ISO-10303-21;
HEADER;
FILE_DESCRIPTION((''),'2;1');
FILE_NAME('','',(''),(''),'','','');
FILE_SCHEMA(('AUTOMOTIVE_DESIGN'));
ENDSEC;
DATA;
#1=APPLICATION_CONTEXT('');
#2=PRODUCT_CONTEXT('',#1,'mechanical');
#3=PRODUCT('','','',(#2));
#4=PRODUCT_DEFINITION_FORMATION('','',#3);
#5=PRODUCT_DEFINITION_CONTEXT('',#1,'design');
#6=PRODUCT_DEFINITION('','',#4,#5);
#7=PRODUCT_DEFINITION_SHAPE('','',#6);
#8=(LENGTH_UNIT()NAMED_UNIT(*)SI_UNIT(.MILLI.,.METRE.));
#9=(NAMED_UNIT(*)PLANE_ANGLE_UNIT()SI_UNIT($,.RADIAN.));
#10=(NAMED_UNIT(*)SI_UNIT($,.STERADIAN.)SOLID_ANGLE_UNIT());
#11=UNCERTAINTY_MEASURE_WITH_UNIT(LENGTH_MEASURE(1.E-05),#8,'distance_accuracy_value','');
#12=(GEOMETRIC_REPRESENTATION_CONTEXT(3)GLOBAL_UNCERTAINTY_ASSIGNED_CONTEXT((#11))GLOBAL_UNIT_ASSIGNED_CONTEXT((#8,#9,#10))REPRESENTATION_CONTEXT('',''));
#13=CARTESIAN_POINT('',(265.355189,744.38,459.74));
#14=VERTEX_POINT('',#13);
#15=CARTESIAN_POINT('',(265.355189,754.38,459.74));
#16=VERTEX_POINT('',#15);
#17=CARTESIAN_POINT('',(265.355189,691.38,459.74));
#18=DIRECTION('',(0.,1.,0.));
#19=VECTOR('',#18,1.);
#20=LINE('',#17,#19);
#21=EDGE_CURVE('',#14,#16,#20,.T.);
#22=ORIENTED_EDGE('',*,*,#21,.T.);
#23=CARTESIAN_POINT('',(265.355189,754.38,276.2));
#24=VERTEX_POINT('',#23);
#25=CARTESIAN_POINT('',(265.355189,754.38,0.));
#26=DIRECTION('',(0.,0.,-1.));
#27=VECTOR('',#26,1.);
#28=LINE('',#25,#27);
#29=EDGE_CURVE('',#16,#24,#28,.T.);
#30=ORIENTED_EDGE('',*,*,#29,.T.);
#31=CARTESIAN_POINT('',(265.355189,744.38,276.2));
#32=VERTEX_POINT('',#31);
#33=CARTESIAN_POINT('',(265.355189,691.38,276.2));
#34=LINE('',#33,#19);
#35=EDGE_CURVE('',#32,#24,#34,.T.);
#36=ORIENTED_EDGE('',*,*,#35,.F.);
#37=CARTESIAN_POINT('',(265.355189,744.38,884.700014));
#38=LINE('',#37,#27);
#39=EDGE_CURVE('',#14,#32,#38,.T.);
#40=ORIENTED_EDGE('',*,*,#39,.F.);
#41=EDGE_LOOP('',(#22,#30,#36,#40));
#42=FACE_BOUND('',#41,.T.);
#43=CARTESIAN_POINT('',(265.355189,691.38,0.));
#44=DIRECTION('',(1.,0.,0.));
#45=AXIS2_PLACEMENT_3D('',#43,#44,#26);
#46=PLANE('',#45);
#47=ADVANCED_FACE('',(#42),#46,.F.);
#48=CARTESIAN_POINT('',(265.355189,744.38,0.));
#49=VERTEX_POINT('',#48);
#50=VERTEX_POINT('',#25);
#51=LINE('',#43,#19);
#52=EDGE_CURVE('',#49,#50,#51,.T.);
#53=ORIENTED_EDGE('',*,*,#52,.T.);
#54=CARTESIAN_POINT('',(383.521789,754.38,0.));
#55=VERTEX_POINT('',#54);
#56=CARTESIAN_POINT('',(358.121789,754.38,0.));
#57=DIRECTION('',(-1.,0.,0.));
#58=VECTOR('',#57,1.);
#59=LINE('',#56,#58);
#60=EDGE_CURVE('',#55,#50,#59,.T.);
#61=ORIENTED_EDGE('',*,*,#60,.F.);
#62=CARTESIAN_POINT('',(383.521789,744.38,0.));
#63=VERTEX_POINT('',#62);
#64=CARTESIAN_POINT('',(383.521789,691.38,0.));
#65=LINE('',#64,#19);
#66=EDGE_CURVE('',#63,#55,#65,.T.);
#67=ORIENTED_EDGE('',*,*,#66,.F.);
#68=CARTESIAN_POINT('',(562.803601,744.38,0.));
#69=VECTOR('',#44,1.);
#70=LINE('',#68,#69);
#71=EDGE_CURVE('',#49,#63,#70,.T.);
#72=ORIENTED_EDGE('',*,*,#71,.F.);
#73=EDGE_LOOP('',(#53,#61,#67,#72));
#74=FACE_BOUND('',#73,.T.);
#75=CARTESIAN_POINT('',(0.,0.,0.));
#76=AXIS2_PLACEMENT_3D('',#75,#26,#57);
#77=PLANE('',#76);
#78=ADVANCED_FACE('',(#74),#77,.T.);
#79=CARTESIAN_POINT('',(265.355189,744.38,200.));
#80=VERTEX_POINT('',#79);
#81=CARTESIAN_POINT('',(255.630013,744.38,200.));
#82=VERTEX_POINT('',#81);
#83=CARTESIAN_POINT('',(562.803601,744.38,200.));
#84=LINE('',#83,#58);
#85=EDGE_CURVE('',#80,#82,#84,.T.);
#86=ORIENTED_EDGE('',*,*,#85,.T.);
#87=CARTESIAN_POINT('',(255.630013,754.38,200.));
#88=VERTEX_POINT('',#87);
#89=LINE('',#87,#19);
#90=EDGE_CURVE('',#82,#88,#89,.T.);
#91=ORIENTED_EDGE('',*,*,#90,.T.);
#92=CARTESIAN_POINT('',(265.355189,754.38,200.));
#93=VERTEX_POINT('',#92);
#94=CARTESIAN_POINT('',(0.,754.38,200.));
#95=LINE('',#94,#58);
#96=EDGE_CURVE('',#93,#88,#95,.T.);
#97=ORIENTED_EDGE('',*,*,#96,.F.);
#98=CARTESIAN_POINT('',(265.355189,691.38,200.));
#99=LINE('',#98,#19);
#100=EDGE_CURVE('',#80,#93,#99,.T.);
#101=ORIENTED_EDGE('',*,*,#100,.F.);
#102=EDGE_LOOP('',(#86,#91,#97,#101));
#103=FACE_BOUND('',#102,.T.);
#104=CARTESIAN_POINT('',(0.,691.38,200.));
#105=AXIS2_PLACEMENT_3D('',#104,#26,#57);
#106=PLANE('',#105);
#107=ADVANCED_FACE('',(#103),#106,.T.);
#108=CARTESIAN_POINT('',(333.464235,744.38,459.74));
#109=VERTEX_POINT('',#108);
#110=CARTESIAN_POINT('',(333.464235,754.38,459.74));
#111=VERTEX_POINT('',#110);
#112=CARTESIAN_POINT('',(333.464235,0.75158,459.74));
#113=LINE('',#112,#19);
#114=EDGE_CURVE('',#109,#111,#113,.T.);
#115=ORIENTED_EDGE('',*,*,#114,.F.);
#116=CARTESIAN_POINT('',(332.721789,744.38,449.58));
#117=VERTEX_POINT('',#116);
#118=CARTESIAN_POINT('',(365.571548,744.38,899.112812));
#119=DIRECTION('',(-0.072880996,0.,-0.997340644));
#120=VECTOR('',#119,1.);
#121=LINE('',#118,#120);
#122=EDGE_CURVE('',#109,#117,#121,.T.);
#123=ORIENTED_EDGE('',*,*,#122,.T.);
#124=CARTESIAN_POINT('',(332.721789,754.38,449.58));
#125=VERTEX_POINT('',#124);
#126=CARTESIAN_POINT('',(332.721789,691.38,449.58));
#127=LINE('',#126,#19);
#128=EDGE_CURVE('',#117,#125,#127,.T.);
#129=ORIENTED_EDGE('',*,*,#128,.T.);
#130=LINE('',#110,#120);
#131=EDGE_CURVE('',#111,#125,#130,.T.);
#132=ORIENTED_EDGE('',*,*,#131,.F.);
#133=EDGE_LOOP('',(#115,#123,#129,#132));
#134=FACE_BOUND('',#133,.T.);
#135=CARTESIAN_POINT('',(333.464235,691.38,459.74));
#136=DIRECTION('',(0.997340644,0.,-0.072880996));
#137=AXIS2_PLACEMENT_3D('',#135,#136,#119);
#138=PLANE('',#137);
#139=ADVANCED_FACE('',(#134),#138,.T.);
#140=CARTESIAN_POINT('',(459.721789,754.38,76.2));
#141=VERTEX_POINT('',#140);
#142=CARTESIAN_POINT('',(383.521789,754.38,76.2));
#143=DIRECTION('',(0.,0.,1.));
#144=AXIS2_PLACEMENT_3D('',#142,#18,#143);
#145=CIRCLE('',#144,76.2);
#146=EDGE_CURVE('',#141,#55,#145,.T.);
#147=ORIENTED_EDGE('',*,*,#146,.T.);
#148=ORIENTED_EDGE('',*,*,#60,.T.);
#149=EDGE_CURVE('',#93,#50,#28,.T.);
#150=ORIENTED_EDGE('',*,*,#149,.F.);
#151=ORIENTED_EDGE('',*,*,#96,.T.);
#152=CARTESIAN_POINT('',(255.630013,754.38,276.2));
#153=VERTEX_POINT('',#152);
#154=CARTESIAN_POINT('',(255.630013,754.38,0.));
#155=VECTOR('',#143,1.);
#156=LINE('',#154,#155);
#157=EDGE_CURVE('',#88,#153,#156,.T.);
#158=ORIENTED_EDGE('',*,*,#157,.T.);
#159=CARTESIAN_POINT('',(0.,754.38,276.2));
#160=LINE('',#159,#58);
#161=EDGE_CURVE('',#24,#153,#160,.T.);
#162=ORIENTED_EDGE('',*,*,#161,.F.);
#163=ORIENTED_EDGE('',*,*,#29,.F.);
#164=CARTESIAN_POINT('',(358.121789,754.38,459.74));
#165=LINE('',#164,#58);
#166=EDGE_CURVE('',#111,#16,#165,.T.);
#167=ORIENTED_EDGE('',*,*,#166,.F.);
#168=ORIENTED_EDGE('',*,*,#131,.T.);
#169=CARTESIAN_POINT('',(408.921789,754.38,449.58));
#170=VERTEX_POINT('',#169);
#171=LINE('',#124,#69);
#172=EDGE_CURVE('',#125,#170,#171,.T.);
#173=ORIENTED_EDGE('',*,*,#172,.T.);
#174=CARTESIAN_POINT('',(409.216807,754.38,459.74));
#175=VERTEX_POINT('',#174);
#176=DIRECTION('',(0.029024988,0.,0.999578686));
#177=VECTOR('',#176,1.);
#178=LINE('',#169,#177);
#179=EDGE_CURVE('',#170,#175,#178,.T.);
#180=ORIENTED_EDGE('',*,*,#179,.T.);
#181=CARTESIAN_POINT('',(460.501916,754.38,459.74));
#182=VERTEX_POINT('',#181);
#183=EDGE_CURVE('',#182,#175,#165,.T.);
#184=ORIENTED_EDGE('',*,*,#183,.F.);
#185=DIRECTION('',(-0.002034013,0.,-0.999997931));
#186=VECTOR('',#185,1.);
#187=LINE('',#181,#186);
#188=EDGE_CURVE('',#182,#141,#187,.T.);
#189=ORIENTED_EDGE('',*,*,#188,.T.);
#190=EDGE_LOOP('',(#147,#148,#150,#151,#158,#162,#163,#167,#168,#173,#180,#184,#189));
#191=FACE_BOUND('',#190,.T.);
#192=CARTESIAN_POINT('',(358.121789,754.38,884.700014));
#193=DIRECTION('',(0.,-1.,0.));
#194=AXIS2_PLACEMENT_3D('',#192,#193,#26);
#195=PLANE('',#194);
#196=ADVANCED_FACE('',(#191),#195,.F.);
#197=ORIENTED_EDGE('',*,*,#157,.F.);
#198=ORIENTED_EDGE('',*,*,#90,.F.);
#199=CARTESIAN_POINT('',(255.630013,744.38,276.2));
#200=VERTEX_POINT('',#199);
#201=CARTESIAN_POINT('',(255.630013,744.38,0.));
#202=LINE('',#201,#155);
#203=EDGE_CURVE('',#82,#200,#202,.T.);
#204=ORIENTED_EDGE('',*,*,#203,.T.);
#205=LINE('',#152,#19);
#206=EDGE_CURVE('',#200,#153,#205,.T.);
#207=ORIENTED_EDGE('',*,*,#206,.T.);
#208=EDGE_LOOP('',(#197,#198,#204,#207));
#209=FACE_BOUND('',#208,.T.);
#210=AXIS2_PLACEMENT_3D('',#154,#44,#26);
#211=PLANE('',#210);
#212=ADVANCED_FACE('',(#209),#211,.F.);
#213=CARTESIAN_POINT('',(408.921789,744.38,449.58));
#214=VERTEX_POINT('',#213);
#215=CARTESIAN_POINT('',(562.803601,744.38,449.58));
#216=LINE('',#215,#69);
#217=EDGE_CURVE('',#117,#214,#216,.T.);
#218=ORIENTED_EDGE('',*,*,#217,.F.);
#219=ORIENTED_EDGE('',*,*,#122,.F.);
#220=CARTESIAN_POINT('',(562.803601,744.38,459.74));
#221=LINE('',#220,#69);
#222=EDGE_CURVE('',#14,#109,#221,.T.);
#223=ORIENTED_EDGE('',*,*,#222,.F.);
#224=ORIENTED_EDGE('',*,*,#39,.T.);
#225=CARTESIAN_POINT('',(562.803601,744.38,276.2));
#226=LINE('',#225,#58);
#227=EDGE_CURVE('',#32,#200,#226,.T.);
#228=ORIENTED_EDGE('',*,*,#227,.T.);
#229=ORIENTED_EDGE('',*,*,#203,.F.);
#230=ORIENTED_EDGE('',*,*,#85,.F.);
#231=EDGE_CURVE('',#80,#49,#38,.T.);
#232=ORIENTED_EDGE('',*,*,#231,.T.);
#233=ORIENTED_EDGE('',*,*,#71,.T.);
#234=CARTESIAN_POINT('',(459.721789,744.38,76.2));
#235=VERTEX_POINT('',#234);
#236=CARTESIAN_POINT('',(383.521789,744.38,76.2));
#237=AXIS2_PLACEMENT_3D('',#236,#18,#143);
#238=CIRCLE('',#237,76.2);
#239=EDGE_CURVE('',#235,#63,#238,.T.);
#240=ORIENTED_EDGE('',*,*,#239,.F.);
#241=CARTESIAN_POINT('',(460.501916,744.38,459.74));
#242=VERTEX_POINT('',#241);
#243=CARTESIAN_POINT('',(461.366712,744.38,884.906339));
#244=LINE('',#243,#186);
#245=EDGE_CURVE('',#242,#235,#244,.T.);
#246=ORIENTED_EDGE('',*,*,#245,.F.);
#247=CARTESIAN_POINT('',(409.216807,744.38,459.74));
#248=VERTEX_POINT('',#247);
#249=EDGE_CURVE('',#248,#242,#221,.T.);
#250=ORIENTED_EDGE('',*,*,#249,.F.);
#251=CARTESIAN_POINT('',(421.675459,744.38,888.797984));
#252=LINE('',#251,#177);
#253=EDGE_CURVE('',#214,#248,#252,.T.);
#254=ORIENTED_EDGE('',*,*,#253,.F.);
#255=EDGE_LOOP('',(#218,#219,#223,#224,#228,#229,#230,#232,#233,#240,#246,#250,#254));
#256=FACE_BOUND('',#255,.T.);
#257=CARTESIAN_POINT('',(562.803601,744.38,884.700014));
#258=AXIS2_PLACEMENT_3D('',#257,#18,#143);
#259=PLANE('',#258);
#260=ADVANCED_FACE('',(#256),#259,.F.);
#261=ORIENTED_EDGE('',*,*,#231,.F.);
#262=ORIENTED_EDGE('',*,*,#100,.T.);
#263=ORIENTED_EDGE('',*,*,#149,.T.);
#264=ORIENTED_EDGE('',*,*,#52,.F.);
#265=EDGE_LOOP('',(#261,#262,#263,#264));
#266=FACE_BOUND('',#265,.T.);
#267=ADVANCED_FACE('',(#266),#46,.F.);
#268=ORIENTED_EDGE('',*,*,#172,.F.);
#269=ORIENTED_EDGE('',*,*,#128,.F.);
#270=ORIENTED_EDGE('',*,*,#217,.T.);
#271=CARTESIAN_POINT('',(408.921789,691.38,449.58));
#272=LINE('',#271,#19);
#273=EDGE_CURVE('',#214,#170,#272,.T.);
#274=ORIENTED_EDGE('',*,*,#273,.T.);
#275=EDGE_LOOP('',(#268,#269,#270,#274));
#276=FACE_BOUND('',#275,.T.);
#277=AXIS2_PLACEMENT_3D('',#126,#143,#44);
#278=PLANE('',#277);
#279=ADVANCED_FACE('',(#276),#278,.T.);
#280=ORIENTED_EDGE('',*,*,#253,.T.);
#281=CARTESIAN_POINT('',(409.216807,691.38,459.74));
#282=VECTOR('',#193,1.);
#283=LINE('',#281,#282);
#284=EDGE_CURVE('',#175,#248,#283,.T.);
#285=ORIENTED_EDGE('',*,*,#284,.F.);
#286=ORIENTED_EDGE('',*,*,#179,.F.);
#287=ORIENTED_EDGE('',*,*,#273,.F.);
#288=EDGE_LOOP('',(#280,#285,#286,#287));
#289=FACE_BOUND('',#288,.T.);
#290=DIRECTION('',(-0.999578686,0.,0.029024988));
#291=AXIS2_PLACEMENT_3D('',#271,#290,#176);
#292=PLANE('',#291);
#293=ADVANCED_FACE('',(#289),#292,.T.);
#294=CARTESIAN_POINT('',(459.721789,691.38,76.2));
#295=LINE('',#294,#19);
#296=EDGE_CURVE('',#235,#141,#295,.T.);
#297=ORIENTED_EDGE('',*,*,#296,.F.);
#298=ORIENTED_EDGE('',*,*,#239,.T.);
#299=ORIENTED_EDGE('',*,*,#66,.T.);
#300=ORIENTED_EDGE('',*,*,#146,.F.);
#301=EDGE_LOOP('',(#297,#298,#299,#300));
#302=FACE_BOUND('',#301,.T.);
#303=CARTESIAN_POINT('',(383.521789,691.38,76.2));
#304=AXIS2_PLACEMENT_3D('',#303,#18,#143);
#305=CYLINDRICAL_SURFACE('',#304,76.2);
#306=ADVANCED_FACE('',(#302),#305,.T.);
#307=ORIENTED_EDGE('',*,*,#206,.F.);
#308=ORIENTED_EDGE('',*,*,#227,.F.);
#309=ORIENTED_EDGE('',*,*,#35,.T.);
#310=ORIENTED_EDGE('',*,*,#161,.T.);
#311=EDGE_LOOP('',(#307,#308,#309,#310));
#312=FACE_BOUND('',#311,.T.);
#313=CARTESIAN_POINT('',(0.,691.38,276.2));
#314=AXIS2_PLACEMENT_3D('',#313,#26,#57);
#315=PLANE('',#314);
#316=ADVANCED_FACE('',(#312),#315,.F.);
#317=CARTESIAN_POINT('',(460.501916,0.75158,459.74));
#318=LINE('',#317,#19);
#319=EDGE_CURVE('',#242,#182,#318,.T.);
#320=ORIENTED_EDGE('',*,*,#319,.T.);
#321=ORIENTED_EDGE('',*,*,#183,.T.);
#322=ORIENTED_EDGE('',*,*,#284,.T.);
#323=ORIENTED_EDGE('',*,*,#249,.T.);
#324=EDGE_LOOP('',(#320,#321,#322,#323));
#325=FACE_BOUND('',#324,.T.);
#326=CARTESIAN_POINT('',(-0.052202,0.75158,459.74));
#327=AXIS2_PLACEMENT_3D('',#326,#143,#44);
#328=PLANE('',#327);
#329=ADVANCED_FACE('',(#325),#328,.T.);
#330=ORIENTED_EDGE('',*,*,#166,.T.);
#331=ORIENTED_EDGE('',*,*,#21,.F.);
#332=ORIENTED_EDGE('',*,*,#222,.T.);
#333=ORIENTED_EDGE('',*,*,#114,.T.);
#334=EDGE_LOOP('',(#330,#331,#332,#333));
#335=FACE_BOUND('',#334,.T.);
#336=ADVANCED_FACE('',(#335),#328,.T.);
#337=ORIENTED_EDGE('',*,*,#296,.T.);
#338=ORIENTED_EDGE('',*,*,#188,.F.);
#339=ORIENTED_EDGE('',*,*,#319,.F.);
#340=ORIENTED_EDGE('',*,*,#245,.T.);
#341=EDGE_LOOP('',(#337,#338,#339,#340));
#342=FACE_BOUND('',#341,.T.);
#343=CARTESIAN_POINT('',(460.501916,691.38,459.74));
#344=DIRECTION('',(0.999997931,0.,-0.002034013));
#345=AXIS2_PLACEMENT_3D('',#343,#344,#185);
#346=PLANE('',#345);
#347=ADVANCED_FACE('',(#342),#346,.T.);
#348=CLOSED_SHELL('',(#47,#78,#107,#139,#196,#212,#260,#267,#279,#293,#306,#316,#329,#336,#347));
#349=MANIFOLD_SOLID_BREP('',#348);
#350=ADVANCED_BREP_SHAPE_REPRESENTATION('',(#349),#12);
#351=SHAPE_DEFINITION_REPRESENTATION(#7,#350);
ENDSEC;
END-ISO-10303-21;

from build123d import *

# Parameters (mm, degrees)
BOSS_EXTRUDE1_DEPTH = 459.74
SKETCH3_W           = 117.668752198
SKETCH3_H           = 459.74
CUT_EXTRUDE1_DEPTH  = 10
SKETCH4_W           = 9.725175386
SKETCH4_H           = 183.54
SKETCH4_H_2         = 200
CUT_EXTRUDE3_DEPTH  = 63


with BuildPart() as part:
    # Sketch1 → Boss-Extrude1 (new body)
    with BuildSketch(Plane.XY):
        Polygon((358.121789204, 754.380000017), (137.961261276, 754.380000017), (137.961261276, 744.380000017), (562.803601281, 744.380000017), (562.803601281, 754.380000017), align=None)
    extrude(amount=BOSS_EXTRUDE1_DEPTH)

    # Sketch3 → Cut-Extrude1 (cut)
    with BuildSketch(Plane.XZ.offset(-744.380000017)):
        with Locations((196.795637375, 229.87)):
            Rectangle(SKETCH3_W, SKETCH3_H)
    extrude(amount=-CUT_EXTRUDE1_DEPTH, mode=Mode.SUBTRACT)

    # Sketch4 → Cut-Extrude3 (cut)
    with BuildSketch(Plane(origin=(0, 754.380000017, 0), x_dir=(1, 0, 0), z_dir=(0, 1, 0))):
        with Locations((260.492601167, -367.97)):
            Rectangle(SKETCH4_W, SKETCH4_H)
        with Locations((260.492601167, -100)):
            Rectangle(SKETCH4_W, SKETCH4_H_2)
        with BuildLine():
            Line((333.464234552, -459.74), (369.761877542, -561.839328351))
            Line((369.761877542, -561.839328351), (604.247212907, -525.668487146))
            Line((604.247212907, -525.668487146), (681.481358703, 161.10923172))
            Line((681.481358703, 161.10923172), (358.740146189, 101.846462791))
            Line((358.740146189, 101.846462791), (383.521789204, 0))
            ThreePointArc((383.521789204, 0), (437.403325931, -22.318463274), (459.721789204, -76.2))
            Line((459.721789204, -76.2), (460.501916297, -459.74))
            Line((460.501916297, -459.74), (409.216807378, -459.74))
            Line((409.216807378, -459.74), (408.921789204, -449.58))
            Line((408.921789204, -449.58), (332.721789204, -449.58))
            Line((332.721789204, -449.58), (333.464234552, -459.74))
        make_face()
    extrude(amount=-CUT_EXTRUDE3_DEPTH, mode=Mode.SUBTRACT)


solid = part.part
